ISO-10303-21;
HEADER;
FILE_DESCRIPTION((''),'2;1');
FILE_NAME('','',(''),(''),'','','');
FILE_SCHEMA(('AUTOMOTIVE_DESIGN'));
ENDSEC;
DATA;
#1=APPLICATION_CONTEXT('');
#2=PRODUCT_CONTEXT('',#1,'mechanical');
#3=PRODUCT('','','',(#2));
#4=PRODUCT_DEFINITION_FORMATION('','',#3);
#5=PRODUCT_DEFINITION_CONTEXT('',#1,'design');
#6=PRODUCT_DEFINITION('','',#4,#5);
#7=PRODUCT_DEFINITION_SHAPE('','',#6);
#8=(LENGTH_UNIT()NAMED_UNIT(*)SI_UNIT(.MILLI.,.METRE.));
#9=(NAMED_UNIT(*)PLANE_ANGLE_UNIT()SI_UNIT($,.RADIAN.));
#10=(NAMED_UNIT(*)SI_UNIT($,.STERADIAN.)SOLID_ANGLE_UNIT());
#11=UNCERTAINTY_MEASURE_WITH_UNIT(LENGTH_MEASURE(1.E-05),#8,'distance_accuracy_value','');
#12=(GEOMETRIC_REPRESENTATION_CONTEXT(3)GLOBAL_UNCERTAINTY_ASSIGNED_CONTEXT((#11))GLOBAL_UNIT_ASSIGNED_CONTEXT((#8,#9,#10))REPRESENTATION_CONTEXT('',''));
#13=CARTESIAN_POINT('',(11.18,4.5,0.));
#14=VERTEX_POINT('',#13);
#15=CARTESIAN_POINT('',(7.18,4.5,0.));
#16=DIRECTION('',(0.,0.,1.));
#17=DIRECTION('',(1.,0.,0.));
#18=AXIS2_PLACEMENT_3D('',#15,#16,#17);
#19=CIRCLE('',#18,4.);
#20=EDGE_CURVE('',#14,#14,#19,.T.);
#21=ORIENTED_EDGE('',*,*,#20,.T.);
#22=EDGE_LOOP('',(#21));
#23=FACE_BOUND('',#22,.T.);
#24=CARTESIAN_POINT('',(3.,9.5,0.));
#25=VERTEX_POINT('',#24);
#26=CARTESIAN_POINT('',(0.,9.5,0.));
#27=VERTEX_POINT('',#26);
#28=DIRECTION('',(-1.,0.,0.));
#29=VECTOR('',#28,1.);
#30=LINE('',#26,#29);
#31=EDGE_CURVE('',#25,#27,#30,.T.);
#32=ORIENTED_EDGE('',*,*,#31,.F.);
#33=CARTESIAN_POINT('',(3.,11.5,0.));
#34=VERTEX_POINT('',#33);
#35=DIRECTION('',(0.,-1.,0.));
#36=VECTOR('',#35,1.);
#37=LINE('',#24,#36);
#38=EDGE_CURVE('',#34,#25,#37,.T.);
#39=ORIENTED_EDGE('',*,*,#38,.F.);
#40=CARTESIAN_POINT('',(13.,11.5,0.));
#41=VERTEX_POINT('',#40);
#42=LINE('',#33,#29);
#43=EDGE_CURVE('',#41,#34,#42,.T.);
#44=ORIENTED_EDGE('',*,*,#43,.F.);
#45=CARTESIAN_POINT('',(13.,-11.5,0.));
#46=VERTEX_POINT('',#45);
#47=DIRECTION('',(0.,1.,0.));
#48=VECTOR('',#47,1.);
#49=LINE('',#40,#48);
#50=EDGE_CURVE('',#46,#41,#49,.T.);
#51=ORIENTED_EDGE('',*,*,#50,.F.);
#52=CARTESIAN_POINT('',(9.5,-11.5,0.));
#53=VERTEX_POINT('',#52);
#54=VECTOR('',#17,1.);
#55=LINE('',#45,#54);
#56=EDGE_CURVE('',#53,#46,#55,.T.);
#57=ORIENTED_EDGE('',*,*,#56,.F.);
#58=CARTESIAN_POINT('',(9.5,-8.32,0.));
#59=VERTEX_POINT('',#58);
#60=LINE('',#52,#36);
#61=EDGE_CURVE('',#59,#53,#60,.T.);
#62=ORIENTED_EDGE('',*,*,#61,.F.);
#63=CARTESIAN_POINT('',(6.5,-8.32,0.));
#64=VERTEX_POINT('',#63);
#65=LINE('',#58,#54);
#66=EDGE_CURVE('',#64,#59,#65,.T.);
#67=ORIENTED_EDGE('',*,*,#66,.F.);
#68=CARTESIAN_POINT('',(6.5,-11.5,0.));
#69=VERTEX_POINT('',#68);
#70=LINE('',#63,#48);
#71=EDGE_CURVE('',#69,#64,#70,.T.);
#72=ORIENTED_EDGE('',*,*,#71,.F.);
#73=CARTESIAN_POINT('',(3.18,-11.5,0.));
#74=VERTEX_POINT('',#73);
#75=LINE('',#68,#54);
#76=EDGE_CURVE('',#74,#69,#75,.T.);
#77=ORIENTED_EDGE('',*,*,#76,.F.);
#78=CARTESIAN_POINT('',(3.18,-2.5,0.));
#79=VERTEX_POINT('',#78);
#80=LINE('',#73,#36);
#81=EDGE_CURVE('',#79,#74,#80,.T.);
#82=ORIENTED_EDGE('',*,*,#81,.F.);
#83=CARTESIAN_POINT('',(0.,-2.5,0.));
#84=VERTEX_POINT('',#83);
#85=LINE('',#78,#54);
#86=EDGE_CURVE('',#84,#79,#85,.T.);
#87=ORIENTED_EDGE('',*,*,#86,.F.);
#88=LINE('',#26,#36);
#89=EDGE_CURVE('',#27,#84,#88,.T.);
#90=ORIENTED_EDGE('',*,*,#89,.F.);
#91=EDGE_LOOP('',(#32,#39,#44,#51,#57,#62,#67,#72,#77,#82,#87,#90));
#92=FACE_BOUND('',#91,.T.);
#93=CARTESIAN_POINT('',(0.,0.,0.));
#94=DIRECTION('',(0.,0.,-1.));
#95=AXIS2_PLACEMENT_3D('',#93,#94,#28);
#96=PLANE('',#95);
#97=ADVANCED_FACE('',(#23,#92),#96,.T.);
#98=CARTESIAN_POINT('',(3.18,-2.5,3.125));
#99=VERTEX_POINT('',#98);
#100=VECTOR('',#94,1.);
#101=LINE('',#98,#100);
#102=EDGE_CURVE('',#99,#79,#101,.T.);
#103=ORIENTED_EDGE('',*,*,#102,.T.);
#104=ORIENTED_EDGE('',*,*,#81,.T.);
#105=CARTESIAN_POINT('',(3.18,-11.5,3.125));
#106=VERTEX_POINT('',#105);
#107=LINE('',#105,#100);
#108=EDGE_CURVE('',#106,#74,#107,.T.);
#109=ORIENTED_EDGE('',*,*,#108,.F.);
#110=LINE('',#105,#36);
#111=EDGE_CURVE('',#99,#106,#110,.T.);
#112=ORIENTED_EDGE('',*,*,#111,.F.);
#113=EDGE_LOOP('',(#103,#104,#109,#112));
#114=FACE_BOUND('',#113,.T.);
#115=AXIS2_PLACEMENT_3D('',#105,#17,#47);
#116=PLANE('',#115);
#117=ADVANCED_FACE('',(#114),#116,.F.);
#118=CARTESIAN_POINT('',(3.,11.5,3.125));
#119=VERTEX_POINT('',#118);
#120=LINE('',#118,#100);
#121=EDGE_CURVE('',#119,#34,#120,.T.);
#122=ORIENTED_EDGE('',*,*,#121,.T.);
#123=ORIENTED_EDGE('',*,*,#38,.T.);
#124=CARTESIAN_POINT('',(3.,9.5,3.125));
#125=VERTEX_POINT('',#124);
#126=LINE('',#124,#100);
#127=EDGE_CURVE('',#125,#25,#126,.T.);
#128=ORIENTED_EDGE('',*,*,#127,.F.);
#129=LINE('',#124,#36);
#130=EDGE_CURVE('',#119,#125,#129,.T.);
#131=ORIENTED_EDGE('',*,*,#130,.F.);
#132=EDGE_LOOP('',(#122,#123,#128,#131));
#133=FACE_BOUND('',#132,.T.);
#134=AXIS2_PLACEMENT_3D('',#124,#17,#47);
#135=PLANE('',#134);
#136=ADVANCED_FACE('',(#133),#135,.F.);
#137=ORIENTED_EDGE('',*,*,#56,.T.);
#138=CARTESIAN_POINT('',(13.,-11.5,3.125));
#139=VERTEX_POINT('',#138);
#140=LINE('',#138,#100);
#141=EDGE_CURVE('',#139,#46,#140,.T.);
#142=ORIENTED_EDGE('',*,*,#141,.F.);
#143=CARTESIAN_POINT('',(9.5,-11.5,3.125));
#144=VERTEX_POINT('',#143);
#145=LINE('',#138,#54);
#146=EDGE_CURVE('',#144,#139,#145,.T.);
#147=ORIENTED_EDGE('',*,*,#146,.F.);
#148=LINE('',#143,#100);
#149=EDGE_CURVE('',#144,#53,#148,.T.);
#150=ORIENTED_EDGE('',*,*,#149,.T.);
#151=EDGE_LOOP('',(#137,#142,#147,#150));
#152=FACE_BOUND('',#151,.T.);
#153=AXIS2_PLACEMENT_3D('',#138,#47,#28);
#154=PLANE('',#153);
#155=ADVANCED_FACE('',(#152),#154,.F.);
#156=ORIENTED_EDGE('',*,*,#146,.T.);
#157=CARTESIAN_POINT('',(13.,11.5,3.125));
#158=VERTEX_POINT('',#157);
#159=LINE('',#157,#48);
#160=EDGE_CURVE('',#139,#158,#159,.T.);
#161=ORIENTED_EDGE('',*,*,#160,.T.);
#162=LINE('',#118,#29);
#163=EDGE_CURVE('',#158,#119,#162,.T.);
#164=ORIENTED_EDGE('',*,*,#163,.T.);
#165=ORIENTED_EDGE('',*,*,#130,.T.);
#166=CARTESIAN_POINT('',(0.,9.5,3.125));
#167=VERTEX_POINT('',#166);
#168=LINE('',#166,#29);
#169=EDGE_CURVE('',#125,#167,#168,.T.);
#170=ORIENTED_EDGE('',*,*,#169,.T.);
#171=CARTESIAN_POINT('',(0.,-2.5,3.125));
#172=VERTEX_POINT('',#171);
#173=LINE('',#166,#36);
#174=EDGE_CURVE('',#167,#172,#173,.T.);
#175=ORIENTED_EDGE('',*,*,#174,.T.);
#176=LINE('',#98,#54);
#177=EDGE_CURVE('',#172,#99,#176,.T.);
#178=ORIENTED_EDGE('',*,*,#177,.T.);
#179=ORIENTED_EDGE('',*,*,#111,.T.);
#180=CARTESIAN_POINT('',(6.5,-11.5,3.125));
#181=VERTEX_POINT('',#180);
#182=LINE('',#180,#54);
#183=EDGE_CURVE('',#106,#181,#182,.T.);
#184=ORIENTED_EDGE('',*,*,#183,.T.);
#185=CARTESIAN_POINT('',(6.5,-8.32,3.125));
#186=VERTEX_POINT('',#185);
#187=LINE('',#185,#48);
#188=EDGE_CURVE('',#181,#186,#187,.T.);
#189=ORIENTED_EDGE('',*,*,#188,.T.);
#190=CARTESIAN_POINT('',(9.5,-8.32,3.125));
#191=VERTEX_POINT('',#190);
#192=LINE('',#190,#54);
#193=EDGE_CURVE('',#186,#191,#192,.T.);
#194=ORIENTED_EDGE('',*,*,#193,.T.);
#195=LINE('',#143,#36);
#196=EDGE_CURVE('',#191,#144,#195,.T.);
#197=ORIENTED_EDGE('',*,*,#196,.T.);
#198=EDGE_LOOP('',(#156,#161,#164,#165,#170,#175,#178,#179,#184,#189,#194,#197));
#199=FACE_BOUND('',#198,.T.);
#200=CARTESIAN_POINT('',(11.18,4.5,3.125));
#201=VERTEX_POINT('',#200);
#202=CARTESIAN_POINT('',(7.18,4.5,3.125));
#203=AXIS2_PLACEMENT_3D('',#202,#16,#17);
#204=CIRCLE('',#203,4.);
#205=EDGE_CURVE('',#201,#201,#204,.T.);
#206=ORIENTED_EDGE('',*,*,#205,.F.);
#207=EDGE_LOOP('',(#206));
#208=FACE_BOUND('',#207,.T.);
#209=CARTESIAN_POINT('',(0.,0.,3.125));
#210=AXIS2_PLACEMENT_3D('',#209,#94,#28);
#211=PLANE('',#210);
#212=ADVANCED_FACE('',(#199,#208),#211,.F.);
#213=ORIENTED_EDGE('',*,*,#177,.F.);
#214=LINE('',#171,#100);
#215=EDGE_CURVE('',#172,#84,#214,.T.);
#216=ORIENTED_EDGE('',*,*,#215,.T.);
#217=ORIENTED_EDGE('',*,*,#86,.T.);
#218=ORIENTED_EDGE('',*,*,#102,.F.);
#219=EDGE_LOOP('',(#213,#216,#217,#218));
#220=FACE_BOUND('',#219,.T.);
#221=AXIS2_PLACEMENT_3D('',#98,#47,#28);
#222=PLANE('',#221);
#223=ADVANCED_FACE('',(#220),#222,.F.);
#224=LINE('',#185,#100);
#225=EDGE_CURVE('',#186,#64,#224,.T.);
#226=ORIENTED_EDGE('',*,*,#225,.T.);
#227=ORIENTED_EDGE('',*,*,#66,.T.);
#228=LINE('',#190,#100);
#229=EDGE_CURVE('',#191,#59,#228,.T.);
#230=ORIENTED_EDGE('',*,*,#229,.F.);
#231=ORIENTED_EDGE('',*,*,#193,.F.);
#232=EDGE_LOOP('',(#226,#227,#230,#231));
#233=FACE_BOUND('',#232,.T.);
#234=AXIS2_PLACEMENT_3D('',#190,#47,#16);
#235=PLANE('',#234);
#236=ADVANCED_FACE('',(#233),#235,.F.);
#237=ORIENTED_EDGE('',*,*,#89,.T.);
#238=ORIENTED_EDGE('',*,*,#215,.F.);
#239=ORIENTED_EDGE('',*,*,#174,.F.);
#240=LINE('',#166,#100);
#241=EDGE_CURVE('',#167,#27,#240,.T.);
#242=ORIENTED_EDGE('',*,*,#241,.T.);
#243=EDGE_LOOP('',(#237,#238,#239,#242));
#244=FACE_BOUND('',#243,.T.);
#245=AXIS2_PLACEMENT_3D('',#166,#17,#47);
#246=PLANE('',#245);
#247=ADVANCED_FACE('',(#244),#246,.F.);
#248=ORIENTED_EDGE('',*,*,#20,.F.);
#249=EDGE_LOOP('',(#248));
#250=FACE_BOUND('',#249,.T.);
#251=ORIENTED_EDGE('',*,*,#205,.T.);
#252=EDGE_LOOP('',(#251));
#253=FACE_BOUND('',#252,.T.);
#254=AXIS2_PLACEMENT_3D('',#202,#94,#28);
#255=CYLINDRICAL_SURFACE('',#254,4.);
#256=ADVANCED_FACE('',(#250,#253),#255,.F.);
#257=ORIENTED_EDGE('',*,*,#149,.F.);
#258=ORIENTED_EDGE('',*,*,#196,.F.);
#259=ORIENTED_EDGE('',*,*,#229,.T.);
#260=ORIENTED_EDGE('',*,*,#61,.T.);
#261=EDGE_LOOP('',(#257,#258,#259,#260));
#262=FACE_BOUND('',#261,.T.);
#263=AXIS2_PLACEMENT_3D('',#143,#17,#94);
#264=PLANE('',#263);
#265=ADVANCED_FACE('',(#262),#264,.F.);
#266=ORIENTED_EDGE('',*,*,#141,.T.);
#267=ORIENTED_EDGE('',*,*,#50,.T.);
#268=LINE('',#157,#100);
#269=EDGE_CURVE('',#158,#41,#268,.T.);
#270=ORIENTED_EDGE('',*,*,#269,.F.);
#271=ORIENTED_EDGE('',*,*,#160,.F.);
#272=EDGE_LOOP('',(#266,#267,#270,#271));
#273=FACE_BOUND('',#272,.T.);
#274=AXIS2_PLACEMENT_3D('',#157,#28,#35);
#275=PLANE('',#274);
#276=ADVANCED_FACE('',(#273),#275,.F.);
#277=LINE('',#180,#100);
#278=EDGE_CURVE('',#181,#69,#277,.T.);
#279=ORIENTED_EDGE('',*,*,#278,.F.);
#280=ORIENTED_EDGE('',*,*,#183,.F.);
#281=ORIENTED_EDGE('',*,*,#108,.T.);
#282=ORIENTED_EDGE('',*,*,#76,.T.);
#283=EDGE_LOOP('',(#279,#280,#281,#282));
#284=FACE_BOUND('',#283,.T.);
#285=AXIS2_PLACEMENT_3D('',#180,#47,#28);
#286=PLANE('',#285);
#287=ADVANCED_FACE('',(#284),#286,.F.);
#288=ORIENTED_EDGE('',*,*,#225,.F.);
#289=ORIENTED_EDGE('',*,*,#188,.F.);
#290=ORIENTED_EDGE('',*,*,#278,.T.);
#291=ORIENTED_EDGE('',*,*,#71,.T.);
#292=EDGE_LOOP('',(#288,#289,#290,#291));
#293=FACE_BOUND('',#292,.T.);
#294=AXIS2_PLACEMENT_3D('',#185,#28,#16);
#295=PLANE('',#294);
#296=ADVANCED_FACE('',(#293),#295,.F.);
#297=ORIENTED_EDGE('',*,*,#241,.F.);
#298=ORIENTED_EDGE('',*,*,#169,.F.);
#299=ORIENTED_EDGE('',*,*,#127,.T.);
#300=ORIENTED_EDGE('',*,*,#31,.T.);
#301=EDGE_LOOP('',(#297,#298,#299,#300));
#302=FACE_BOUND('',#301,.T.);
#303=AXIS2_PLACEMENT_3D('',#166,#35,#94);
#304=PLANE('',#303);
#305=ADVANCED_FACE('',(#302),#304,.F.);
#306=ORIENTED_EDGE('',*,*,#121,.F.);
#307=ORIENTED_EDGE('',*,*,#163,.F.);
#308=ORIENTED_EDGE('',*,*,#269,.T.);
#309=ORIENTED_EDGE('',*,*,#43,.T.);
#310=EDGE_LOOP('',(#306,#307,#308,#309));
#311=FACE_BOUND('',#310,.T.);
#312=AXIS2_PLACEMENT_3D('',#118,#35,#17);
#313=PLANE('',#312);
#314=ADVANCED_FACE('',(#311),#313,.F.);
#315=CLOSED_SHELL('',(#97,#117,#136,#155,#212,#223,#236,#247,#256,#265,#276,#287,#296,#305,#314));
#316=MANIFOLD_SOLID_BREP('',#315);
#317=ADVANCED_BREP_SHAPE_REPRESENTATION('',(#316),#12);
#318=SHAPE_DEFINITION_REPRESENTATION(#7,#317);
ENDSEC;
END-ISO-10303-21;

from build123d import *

# Parameters (mm, degrees)
SKETCH2_R           = 4
BOSS_EXTRUDE1_DEPTH = 3.125


with BuildPart() as part:
    # Sketch2 → Boss-Extrude1 (new body)
    with BuildSketch(Plane.XY):
        Polygon((0, 9.5), (3, 9.5), (3, 11.5), (13, 11.5), (13, -11.5), (9.5, -11.5), (9.5, -8.32), (6.5, -8.32), (6.5, -11.5), (3.18, -11.5), (3.18, -2.5), (0, -2.5), align=None)
        with Locations((7.18, 4.5)):
            Circle(SKETCH2_R, mode=Mode.SUBTRACT)
    extrude(amount=BOSS_EXTRUDE1_DEPTH)


solid = part.part
